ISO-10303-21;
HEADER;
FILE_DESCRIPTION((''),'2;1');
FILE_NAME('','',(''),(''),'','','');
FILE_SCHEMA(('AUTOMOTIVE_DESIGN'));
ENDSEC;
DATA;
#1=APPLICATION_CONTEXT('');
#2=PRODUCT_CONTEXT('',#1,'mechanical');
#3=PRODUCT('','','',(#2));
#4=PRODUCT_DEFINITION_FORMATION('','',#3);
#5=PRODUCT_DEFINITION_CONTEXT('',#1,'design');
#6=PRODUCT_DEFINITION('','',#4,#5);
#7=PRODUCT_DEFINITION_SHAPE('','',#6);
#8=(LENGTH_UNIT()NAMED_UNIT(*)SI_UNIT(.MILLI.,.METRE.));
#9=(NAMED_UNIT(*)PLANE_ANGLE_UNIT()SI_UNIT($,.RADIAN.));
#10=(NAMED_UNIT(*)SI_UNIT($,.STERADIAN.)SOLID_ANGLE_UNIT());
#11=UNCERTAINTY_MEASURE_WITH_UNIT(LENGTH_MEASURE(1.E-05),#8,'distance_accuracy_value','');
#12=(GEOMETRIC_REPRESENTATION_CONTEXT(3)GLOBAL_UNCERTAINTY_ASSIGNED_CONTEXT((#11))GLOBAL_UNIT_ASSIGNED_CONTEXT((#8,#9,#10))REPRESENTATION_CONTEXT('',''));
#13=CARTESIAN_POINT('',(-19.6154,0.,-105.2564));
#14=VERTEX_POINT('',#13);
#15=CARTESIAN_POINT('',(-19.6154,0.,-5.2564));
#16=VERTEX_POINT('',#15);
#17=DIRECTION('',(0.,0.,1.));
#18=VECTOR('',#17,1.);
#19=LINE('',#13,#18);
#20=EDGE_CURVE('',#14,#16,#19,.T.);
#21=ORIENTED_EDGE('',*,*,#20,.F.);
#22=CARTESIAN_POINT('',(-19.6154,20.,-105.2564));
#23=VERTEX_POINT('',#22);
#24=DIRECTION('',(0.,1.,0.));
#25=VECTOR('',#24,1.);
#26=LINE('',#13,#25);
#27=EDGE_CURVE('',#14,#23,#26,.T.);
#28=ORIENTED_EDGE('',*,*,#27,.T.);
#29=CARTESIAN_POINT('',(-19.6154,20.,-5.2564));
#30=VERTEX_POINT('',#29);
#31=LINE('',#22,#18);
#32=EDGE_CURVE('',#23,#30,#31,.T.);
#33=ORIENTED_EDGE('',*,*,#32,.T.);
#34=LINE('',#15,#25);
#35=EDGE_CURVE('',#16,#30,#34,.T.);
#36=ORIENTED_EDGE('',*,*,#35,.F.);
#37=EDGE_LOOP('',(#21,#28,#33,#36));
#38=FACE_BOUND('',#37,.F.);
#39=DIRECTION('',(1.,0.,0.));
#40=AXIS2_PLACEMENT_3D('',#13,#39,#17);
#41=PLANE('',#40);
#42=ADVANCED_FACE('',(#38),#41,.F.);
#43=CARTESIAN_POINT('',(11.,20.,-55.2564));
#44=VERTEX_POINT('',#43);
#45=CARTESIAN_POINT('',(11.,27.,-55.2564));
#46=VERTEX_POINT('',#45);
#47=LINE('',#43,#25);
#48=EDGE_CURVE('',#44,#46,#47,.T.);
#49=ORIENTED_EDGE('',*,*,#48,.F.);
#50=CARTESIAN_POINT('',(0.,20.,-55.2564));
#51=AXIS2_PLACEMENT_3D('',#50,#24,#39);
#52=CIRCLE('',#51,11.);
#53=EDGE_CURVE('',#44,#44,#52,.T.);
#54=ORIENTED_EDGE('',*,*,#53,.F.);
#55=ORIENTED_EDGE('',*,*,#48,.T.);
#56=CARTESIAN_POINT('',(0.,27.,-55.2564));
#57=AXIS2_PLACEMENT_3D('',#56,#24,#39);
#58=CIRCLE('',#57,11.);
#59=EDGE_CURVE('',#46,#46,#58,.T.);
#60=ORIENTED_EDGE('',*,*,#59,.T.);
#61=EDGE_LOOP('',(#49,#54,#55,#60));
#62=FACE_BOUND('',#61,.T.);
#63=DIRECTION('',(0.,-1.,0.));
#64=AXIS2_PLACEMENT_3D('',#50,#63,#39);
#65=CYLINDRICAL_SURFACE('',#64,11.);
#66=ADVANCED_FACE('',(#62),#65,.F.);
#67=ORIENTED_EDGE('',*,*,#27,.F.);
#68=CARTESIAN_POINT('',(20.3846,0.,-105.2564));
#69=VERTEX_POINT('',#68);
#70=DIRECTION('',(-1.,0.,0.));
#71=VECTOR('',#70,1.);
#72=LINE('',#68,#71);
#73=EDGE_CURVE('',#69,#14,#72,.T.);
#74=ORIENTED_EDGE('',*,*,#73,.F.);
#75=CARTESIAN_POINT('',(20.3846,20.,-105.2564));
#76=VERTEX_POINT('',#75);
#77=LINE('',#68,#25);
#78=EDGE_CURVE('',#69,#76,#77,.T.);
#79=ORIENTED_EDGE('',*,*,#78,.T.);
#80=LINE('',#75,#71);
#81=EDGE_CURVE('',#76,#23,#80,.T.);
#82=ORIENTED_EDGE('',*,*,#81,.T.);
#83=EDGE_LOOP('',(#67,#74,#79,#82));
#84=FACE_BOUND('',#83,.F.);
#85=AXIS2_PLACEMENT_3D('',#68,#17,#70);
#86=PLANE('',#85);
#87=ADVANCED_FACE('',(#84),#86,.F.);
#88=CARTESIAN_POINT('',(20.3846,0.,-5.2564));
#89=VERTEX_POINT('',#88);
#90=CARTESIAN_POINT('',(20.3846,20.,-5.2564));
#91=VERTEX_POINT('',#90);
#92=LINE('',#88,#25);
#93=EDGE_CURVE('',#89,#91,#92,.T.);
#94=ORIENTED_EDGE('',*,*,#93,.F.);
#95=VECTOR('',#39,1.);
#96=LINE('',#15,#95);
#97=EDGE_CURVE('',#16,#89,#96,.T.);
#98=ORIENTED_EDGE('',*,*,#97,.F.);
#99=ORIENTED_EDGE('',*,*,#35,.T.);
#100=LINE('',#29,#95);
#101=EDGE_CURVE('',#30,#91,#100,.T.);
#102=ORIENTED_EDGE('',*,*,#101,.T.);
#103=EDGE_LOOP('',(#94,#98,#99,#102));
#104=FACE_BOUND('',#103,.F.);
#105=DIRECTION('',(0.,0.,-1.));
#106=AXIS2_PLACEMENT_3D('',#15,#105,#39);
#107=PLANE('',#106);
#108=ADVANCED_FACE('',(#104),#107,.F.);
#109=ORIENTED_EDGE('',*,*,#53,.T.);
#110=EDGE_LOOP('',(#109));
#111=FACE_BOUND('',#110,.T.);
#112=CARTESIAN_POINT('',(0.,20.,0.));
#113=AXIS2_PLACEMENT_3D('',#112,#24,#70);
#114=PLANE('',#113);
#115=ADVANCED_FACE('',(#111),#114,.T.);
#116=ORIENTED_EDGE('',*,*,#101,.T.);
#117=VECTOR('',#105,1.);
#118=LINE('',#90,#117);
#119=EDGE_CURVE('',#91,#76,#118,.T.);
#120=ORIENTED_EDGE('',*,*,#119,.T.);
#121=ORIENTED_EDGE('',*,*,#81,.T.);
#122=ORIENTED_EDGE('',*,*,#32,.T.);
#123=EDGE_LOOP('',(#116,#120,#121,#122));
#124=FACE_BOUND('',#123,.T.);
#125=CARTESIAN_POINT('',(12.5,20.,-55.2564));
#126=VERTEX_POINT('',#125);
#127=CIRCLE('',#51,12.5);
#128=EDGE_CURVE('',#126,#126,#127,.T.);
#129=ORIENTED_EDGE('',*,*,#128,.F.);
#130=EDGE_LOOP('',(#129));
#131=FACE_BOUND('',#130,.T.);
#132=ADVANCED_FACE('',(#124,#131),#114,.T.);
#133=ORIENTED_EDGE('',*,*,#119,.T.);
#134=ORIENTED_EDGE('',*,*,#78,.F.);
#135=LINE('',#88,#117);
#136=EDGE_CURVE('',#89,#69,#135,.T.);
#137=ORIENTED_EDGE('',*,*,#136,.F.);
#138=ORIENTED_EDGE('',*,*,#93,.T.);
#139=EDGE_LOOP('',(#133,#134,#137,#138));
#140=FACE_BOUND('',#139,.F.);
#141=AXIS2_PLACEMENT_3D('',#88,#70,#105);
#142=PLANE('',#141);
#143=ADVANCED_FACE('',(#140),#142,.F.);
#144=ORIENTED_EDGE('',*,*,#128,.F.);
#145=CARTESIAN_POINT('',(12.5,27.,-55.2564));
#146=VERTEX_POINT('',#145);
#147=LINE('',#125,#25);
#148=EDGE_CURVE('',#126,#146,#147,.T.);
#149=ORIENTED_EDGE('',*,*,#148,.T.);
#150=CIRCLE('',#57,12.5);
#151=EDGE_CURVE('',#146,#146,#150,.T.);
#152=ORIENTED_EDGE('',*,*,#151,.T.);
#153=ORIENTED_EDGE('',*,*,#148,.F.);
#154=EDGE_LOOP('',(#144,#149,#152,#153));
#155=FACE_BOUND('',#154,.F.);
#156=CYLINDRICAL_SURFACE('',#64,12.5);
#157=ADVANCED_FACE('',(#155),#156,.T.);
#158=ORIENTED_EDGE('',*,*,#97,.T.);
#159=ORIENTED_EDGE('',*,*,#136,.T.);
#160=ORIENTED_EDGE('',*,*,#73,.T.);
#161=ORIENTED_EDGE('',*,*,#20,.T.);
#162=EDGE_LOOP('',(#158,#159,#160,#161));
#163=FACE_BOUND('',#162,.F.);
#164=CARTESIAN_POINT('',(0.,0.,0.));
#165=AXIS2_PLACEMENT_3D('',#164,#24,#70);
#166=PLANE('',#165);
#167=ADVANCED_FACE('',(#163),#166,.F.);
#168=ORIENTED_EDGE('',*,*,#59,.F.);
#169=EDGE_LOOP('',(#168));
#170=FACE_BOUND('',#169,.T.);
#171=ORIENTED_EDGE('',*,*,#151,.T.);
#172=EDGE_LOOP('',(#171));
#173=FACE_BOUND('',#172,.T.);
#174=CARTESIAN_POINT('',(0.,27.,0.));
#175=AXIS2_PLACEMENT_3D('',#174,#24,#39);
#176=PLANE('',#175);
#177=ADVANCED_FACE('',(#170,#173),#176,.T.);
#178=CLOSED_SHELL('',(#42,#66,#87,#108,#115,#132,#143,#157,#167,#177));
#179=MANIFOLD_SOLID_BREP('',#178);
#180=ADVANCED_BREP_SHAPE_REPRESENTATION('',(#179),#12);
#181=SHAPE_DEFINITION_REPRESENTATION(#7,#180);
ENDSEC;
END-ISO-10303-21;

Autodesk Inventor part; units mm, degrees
ref_plane "YZ Plane" through (0, 0, 0) normal (1, 0, 0) x (0, 1, 0)
ref_plane "XZ Plane" through (0, 0, 0) normal (0, 1, 0) x (-1, 0, 0)
ref_plane "XY Plane" through (0, 0, 0) normal (0, 0, 1) x (1, 0, 0)
sketch "Esboço1" plane through (0, 0, 0) normal (0, 1, 0) x (-1, 0, 0)
  line L0 (19.6154, -5.2564) -> (-20.3846, -5.2564)
  line L1 (-20.3846, -5.2564) -> (-20.3846, -105.2564)
  line L2 (-20.3846, -105.2564) -> (19.6154, -105.2564)
  line L3 (19.6154, -105.2564) -> (19.6154, -5.2564)
  point P0 (0, 0)
  dimension "d0" = 40
  dimension "d4" = 100
extrude "Extrusão1" add sketch "Esboço1" along normal blind 20
sketch "Esboço2" plane through (0, 20, 0) normal (0, 1, 0) x (1, 0, 0)
  circle A0 centre (0, 55.2564) radius 12.5
  circle A1 centre (0, 55.2564) radius 11
  line L0 (20.3846, 105.2564) -> (-19.6154, 105.2564) projected
  point P0 (0, 0)
  dimension "d11" = 22
  dimension "d12" = 25
  dimension "d13" = 50
extrude "Extrusão2" add sketch "Esboço2" along normal blind 7
sketch "Esboço3" plane through (0, 0, 0) normal (0, -1, 0) x (1, 0, 0)
  circle A0 centre (0.3846, -25.2576) radius 2.5
  circle A1 centre (0, -85.2564) radius 2.5
  line L0 (20.3846, -105.2564) -> (-19.6154, -105.2564) projected
  line L1 (20.3846, -5.2564) -> (20.3846, -105.2564) projected
  point P0 (0, 0)
  dimension "d16" = 5
  dimension "d17" = 5
  dimension "d18" = 60
  dimension "d19" = 20
  dimension "d20" = 20
properties part number "Suporte para estrutura" material "ABS plástico"
